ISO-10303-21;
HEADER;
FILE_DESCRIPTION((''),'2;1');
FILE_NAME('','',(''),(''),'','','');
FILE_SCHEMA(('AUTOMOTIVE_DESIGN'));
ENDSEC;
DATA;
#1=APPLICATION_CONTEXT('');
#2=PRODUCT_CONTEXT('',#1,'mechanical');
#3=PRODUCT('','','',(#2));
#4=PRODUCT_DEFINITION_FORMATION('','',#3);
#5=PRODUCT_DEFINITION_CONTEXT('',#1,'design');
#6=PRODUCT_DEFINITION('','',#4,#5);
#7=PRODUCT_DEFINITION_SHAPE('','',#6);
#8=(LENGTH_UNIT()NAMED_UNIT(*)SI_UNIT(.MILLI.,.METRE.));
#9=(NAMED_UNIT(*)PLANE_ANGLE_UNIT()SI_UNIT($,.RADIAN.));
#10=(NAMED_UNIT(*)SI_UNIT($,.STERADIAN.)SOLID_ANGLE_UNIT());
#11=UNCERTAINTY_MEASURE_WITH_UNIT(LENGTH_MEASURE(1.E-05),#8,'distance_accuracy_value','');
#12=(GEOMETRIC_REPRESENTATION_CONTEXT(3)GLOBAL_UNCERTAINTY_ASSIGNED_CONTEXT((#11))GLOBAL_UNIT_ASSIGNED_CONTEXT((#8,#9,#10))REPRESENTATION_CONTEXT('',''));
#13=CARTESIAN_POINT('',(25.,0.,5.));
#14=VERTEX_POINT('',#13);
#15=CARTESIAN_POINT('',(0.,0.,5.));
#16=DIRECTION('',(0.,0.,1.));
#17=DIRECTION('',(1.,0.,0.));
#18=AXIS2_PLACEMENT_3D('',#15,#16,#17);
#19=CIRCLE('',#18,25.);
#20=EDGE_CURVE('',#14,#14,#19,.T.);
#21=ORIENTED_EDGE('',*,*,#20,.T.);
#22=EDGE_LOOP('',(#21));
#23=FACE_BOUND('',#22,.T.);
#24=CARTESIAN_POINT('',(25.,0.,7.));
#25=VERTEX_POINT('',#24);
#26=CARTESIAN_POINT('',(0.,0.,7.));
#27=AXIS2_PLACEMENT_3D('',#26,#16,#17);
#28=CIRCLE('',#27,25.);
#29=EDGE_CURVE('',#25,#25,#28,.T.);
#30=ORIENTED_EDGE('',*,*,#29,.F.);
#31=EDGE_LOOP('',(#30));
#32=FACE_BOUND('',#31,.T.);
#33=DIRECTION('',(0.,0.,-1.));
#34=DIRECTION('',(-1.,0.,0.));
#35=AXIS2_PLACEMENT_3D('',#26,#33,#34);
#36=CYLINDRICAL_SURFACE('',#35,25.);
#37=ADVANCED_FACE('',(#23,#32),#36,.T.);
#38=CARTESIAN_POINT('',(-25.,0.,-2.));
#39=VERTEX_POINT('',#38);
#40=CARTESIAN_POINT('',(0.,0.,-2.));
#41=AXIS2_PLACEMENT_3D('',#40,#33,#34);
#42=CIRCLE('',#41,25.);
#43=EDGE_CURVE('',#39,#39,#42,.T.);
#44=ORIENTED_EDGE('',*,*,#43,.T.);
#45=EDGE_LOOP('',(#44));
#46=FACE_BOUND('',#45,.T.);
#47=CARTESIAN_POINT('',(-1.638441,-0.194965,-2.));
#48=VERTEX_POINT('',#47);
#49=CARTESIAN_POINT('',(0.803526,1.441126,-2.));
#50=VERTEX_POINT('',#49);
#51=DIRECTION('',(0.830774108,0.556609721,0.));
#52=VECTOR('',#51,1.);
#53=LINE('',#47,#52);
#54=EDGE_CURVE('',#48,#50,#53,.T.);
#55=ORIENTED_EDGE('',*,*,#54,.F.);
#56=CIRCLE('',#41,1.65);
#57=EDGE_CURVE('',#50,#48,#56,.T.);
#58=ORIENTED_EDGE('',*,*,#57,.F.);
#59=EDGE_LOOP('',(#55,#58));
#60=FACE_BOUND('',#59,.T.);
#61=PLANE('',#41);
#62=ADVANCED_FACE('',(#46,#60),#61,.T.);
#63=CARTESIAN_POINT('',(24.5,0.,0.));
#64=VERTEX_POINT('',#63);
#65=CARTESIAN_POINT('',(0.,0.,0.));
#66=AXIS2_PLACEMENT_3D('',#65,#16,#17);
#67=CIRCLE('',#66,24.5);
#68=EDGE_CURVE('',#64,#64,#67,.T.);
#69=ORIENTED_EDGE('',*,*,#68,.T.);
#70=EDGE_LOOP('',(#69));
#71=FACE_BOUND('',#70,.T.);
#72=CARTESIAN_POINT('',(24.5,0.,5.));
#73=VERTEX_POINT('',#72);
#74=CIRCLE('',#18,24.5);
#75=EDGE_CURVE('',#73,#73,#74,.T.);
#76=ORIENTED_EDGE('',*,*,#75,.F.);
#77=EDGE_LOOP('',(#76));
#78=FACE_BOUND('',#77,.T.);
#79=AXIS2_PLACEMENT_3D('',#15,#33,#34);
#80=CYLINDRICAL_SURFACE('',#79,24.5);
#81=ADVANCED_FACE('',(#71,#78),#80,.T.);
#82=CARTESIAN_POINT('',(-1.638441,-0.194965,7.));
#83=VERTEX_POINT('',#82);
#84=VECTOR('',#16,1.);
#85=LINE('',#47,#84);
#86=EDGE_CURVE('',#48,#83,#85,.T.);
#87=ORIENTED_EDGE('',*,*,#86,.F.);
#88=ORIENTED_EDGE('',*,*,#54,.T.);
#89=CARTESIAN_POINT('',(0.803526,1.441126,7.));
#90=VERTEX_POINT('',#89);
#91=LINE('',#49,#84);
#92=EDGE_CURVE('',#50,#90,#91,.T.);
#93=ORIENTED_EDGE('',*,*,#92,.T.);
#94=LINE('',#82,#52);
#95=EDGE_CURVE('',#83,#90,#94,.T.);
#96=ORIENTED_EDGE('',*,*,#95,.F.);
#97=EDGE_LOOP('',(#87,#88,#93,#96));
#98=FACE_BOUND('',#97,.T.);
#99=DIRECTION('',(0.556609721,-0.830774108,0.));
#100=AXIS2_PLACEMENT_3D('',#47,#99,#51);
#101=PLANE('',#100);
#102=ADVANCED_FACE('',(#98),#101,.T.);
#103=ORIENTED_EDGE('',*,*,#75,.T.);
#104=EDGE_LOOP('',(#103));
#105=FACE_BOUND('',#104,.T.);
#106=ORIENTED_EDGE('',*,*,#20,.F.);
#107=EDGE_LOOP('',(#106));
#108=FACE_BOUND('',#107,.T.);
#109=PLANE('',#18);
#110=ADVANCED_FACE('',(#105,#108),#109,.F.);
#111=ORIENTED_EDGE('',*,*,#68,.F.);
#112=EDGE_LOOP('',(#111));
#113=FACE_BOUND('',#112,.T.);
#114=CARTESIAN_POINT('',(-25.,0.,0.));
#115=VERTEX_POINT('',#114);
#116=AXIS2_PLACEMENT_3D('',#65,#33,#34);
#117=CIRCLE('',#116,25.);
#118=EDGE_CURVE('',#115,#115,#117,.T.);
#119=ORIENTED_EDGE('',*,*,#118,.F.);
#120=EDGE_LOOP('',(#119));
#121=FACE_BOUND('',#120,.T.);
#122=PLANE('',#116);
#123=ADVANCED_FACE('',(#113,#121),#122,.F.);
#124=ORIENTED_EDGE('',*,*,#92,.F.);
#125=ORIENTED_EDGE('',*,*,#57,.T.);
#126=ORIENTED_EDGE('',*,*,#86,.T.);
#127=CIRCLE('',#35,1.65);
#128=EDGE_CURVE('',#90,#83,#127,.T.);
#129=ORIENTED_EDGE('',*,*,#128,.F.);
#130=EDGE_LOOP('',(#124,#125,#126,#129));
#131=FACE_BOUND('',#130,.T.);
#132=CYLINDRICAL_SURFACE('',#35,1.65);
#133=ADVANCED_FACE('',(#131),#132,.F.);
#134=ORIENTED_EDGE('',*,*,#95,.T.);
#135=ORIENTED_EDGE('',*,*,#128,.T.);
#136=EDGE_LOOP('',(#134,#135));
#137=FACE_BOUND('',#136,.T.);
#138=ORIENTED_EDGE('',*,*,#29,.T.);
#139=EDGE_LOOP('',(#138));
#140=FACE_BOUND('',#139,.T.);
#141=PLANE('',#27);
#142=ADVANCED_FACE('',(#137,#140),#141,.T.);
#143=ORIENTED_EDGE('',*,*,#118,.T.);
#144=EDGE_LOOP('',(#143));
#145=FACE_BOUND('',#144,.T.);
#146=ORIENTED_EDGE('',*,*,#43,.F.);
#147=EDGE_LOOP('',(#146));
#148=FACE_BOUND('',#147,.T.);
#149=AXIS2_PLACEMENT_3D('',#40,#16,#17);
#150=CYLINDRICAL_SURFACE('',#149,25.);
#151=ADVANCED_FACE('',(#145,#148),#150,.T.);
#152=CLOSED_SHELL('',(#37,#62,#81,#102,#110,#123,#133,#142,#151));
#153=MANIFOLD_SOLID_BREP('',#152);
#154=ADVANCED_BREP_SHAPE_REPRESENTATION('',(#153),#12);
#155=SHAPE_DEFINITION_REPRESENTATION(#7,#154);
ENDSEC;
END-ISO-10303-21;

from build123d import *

# Parameters (mm, degrees)
ESQUISSE1_R             = 24.5
BOSS_EXTRU_1_DEPTH      = 5
ESQUISSE2_R             = 25
BOSS_EXTRU_2_DEPTH      = 2
BOSS_EXTRU_4_START      = 2
ESQUISSE5_R             = 25
BOSS_EXTRU_4_DEPTH      = 2
ESQUISSE4_R             = 1.65
ENL_V_MAT_EXTRU_1_DEPTH = 37.482872694
BOSS_EXTRU_5_DEPTH      = 9


with BuildPart() as part:
    # Esquisse1 → Boss.-Extru.1 (new body)
    with BuildSketch(Plane.XY):
        Circle(ESQUISSE1_R)
    extrude(amount=BOSS_EXTRU_1_DEPTH)

    # Esquisse2 → Boss.-Extru.2 (add)
    with BuildSketch(Plane(origin=(0, 0, 0), x_dir=(-1, 0, 0), z_dir=(0, 0, -1))):
        Circle(ESQUISSE2_R)
    extrude(amount=BOSS_EXTRU_2_DEPTH)

    # Esquisse5 → Boss.-Extru.4 (add)
    with BuildSketch(Plane.XY.offset(5).offset(BOSS_EXTRU_4_START)):
        with Locations(Location((0, 0, 0), (0, 0, 180))):
            Circle(ESQUISSE5_R)
    extrude(amount=-BOSS_EXTRU_4_DEPTH)

    # Esquisse4 → Enlèv. mat.-Extru.1 (cut, through all)
    with BuildSketch(Plane(origin=(0, 0, -2), x_dir=(-1, 0, 0), z_dir=(0, 0, -1))):
        Circle(ESQUISSE4_R)
    extrude(amount=-ENL_V_MAT_EXTRU_1_DEPTH, mode=Mode.SUBTRACT)

    # Esquisse6 → Boss.-Extru.5 (add, through all)
    with BuildSketch(Plane.XY.offset(7)):
        with BuildLine():
            Line((-1.638440884, -0.194965301), (0.803526302, 1.441126463))
            ThreePointArc((0.803526302, 1.441126463), (-0.91840604, 1.370777278), (-1.638440884, -0.194965301))
        make_face()
    extrude(amount=-BOSS_EXTRU_5_DEPTH)


solid = part.part
